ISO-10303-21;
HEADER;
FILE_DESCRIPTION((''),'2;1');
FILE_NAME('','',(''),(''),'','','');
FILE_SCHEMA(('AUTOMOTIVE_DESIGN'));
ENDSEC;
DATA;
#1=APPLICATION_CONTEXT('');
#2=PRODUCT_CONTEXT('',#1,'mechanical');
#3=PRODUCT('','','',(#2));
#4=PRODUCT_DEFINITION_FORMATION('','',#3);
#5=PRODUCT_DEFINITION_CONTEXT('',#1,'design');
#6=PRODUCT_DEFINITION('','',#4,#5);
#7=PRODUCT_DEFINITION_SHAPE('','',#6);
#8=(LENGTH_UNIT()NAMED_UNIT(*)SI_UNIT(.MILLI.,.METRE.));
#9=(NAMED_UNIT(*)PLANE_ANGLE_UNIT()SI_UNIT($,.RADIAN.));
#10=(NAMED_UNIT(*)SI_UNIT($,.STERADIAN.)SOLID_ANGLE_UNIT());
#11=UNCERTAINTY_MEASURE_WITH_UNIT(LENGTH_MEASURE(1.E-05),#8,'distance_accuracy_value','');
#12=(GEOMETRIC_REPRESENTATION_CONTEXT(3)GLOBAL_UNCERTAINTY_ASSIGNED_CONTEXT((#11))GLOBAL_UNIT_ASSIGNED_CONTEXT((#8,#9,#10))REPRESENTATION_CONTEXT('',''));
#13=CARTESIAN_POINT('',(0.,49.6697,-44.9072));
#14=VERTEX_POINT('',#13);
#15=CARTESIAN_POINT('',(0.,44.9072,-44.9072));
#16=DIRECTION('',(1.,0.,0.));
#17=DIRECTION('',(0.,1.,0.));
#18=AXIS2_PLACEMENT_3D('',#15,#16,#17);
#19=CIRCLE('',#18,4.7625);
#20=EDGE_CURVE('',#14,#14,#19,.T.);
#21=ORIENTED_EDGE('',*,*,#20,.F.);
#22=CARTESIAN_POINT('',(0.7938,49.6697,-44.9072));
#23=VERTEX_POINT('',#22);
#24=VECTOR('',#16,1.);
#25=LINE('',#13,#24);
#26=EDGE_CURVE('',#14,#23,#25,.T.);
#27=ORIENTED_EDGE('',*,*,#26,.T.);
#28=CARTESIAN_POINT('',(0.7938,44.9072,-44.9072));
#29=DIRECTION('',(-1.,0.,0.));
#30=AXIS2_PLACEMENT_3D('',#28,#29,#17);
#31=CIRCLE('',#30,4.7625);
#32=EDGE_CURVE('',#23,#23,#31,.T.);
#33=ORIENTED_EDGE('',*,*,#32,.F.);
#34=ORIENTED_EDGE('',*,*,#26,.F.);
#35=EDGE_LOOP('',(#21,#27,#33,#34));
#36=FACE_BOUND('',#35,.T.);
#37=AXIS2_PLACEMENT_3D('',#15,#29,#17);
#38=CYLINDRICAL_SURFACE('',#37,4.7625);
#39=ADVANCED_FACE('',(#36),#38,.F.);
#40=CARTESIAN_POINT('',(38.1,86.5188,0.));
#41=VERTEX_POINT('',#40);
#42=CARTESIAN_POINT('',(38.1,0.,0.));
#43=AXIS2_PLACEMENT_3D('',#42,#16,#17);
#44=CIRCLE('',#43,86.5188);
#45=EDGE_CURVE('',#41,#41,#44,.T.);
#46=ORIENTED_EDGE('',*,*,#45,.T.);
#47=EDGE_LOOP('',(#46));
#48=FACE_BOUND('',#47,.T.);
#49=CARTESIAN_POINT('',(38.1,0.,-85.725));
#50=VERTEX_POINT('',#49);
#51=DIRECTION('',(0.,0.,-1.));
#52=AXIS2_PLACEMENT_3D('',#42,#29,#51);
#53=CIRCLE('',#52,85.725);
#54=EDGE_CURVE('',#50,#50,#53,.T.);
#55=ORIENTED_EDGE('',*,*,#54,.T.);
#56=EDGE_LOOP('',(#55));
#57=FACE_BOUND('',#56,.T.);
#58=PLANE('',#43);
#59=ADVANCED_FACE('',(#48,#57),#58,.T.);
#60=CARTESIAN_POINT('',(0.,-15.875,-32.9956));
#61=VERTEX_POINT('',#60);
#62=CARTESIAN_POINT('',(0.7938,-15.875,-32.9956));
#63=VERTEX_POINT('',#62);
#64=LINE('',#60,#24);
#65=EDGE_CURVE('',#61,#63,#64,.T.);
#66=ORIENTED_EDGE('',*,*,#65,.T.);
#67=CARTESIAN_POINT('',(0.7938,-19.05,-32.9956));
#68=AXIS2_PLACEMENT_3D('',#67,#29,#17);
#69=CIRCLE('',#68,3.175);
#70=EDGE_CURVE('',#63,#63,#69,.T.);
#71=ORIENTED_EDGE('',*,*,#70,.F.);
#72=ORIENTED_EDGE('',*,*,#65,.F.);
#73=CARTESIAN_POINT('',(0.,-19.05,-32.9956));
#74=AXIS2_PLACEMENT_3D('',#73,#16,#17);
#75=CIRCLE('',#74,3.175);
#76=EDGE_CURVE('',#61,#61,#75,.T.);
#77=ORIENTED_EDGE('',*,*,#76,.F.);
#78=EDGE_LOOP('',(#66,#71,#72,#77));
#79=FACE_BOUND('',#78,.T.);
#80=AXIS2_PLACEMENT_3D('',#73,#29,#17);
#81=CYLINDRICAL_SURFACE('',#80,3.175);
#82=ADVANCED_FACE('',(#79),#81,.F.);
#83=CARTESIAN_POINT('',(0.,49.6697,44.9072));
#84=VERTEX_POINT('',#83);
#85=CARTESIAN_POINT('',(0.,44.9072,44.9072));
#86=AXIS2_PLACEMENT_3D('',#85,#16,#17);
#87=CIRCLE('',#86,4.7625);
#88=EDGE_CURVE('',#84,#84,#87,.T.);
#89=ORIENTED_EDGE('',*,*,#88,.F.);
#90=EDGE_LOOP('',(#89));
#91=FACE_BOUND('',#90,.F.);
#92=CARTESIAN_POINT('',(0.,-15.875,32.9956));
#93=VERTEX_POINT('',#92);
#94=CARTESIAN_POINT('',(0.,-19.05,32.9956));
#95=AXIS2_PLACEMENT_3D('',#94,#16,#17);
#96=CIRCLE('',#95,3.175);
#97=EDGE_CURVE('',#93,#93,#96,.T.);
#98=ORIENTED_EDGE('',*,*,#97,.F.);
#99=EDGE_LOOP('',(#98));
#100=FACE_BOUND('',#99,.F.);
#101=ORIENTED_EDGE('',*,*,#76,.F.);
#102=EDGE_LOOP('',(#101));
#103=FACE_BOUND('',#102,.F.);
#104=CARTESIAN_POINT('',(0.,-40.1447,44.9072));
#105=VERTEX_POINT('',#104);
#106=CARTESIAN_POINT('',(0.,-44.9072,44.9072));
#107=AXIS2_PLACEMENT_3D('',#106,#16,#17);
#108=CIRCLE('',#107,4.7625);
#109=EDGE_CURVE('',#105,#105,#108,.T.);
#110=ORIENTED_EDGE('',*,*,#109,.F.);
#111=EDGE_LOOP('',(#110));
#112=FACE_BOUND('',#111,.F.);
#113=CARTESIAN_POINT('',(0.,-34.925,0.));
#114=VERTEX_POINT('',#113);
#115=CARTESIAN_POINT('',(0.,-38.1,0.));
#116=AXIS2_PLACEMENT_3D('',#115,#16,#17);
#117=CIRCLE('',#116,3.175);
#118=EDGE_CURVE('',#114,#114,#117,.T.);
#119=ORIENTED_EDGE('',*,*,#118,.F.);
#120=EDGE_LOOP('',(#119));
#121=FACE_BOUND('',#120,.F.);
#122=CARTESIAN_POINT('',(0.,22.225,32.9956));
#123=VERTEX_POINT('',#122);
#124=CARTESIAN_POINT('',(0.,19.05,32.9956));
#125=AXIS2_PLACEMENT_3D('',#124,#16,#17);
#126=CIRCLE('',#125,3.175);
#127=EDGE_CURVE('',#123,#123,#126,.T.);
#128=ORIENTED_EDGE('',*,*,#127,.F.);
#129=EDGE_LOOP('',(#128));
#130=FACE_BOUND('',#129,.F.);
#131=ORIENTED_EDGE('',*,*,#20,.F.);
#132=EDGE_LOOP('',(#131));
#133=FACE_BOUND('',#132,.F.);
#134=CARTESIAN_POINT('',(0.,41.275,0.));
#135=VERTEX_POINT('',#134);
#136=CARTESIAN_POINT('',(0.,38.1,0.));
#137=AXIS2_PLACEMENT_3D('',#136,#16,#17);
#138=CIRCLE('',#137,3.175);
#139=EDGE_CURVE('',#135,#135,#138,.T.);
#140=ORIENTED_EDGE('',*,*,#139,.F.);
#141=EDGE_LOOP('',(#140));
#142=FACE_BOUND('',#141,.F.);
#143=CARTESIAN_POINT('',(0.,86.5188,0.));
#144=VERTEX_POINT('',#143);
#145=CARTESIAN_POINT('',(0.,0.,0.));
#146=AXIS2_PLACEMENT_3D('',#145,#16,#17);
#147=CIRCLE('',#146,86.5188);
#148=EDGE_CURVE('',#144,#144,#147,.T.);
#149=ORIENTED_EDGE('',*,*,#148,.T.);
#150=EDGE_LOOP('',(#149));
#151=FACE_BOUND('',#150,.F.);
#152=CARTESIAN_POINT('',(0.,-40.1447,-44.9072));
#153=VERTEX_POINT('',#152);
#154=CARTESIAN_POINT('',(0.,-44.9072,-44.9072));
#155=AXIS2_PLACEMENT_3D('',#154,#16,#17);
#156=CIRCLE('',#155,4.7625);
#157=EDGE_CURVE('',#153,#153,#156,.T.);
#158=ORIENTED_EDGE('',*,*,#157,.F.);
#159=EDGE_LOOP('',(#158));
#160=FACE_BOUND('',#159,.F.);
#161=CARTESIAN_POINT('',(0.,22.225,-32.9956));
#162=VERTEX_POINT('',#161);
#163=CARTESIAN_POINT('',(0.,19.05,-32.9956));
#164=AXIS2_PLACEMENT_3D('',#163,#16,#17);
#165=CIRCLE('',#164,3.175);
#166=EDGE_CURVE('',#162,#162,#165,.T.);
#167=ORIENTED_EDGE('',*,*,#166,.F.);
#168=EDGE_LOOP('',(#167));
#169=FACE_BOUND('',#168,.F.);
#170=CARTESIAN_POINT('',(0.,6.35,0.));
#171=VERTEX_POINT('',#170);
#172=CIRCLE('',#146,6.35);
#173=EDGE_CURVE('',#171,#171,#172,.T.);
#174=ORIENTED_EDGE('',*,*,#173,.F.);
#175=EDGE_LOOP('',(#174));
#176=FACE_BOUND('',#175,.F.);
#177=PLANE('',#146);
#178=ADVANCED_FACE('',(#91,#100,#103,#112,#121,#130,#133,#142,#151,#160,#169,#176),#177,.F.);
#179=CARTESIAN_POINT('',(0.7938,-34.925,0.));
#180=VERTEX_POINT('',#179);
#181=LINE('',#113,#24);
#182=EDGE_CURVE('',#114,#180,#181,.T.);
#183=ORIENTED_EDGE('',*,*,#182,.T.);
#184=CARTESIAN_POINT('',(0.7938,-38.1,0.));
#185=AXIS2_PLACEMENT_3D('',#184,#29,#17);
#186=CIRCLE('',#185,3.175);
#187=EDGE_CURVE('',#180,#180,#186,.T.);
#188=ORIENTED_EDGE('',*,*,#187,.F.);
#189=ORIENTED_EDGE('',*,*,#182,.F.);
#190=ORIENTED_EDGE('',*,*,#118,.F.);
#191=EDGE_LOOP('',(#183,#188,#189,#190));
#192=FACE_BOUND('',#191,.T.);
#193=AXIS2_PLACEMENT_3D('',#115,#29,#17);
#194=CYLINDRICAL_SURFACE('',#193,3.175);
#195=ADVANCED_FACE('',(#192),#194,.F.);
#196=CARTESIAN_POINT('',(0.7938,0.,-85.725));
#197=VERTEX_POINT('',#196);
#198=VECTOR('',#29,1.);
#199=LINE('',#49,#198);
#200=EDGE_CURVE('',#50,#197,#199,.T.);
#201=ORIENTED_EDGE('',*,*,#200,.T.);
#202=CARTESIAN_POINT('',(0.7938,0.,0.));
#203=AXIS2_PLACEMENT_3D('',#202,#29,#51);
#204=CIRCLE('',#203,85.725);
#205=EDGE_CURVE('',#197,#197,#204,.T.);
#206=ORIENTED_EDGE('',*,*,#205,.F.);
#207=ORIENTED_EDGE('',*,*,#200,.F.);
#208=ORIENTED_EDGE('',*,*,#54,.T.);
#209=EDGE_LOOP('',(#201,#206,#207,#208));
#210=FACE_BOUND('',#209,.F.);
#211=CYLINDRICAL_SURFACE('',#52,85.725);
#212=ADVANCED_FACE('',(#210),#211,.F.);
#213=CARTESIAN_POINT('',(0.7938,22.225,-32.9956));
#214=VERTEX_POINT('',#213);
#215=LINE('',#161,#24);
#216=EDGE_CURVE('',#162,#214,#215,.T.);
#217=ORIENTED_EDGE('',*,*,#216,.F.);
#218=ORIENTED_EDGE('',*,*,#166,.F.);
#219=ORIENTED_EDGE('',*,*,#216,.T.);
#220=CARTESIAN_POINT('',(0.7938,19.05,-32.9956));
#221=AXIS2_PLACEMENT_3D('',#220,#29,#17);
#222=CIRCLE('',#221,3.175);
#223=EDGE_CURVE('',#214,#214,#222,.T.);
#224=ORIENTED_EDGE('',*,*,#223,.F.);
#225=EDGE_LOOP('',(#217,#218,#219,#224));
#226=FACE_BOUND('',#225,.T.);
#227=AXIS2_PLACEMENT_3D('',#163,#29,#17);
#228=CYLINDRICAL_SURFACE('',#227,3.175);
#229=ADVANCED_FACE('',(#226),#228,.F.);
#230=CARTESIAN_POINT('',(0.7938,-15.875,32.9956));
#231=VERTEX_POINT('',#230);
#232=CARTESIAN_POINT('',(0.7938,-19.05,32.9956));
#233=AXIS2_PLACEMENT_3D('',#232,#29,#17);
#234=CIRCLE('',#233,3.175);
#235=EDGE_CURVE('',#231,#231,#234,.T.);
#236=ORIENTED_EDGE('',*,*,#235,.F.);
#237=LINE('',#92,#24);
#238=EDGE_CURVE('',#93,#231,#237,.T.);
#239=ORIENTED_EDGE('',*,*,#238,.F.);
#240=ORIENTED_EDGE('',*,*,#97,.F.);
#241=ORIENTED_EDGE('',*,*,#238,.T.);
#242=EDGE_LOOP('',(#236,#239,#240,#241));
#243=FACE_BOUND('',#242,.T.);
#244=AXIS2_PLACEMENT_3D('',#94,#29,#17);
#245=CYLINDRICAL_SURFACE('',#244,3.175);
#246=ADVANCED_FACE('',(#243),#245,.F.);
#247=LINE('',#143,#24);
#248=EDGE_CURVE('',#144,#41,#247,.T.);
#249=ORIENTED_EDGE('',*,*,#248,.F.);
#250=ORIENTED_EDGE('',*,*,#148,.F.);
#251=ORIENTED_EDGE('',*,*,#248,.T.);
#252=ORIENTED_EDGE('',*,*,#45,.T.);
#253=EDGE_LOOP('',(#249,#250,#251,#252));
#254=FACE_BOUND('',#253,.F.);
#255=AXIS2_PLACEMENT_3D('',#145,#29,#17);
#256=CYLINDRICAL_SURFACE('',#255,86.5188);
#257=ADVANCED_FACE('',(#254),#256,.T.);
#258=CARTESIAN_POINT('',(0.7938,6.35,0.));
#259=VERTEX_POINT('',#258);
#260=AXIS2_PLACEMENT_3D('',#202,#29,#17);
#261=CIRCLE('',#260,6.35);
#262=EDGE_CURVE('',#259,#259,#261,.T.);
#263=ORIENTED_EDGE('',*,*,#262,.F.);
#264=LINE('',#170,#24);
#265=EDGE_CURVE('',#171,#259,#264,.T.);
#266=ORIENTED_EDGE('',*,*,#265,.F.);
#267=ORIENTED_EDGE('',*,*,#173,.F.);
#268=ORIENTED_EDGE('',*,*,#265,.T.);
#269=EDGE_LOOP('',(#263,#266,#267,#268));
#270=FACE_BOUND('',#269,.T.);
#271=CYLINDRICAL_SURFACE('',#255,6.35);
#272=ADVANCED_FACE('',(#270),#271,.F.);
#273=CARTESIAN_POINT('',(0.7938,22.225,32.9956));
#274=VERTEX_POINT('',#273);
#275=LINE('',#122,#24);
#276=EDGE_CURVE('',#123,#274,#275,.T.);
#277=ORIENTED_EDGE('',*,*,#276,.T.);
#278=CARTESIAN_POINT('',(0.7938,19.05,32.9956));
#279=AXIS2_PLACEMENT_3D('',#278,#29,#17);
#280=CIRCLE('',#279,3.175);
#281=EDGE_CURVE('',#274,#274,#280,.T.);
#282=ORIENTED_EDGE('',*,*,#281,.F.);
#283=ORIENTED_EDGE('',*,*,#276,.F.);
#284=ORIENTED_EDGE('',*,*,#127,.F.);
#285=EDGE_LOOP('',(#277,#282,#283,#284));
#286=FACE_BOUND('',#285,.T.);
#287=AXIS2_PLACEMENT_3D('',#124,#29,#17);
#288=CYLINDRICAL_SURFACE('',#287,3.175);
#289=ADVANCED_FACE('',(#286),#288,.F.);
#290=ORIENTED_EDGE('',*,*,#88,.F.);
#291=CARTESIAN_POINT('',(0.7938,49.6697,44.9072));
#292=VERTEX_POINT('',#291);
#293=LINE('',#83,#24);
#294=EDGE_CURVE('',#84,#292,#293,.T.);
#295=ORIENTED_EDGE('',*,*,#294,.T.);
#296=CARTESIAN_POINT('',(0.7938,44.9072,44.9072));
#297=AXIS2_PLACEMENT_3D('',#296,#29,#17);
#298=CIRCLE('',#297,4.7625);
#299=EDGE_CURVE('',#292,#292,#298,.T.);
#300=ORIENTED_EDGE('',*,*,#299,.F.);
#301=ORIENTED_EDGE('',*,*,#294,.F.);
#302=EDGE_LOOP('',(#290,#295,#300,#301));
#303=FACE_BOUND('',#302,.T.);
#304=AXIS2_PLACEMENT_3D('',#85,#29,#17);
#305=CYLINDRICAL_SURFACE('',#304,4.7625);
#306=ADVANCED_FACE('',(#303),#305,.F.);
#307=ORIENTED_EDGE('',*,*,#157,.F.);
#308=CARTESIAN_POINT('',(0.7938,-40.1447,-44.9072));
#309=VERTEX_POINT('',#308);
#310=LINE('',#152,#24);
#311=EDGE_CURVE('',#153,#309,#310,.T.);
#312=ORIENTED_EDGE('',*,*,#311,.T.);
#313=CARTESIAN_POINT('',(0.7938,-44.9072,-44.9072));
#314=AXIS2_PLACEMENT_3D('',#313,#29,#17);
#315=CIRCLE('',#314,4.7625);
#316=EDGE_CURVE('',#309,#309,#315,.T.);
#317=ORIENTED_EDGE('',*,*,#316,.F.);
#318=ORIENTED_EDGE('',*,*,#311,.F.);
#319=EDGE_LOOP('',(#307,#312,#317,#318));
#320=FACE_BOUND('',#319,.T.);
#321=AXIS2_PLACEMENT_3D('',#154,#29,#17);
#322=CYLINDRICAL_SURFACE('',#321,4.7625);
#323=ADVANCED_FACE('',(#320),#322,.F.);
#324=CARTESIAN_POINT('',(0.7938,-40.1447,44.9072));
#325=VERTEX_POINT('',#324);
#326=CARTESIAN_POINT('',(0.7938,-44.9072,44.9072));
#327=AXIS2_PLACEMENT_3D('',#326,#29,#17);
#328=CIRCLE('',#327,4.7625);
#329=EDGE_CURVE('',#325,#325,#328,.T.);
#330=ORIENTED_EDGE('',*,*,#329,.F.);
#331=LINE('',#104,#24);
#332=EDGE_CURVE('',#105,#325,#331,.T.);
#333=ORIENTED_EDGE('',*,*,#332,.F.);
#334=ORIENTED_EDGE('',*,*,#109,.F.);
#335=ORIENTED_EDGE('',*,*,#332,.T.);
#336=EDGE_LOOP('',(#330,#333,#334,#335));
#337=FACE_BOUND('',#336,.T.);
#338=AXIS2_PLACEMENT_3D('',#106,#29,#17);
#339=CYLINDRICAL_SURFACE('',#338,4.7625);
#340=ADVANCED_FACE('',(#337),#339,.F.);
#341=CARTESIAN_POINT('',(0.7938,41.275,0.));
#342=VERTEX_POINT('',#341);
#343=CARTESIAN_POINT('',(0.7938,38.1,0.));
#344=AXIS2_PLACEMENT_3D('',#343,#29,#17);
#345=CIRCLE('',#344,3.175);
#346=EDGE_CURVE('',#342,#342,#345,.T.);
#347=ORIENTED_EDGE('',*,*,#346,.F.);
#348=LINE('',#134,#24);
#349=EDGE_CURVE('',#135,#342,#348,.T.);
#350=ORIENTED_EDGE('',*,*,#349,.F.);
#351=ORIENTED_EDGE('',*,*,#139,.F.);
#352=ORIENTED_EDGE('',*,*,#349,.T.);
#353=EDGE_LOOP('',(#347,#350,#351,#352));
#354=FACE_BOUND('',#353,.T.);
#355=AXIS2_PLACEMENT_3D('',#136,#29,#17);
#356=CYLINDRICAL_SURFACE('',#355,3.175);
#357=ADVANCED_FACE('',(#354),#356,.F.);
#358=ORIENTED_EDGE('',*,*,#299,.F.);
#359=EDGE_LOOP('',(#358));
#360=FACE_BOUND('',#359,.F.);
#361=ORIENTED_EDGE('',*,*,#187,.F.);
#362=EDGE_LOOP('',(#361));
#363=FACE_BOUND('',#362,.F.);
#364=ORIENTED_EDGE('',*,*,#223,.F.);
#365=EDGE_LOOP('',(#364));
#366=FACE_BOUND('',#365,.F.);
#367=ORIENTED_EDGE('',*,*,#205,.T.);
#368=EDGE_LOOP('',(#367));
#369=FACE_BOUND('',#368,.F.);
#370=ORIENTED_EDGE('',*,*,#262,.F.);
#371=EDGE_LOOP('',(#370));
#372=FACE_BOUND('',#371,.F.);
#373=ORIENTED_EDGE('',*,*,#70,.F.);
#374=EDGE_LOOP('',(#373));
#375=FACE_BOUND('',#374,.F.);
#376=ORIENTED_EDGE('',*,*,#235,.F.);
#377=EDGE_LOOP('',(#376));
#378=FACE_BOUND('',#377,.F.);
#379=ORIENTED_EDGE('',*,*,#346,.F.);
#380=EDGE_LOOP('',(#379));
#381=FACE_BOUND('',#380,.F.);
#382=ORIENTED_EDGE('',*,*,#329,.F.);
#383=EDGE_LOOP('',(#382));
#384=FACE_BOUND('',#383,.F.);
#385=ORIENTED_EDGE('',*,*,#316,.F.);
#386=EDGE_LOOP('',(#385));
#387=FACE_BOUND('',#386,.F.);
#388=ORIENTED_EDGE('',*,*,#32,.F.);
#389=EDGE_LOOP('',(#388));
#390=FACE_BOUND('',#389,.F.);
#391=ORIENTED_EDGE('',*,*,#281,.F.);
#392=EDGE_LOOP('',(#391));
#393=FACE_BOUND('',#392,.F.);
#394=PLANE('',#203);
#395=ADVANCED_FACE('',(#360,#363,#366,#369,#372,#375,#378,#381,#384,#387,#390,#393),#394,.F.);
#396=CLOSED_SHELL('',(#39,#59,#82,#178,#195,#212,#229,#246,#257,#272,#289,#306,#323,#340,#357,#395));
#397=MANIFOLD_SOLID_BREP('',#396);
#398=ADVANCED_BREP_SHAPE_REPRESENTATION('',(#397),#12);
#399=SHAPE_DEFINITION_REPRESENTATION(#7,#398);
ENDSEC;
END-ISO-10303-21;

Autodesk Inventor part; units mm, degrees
ref_plane "YZ Plane" through (0, 0, 0) normal (1, 0, 0) x (0, 1, 0)
ref_plane "XZ Plane" through (0, 0, 0) normal (0, 1, 0) x (-1, 0, 0)
ref_plane "XY Plane" through (0, 0, 0) normal (0, 0, 1) x (1, 0, 0)
sketch "Sketch1" plane through (0, 0, 0) normal (1, 0, 0) x (0, 1, 0)
  circle A0 centre (0, 0) radius 86.5188
  circle A1 centre (0, 0) radius 6.35
  circle A2 centre (-38.1, 0) radius 3.175
  circle A3 centre (-19.05, -32.9956) radius 3.175
  circle A4 centre (19.05, -32.9956) radius 3.175
  circle A5 centre (38.1, 0) radius 3.175
  circle A6 centre (19.05, 32.9956) radius 3.175
  circle A7 centre (-19.05, 32.9956) radius 3.175
  circle A8 centre (-44.9072, -44.9072) radius 4.7625
  line L0 (0, 0) -> (-44.9072, -44.9072) construction
  line L1 (0, 0) -> (0, -86.5188) construction
  circle A9 centre (44.9072, -44.9072) radius 4.7625
  circle A10 centre (44.9072, 44.9072) radius 4.7625
  circle A11 centre (-44.9072, 44.9072) radius 4.7625
  dimension "d0" = 173.0375
  dimension "d1" = 12.7
  dimension "d2" = 6.35
  dimension "d3" = 38.1
  dimension "d6" = 360
  dimension "d8" = 9.525
  dimension "d9" = 45
  dimension "d13" = 360
  dimension "d26" = 89.8144
extrude "Extrusion1" add sketch "Sketch1" along normal blind 38.1
hole "Hole1" at (38.1, 0, 0) direction (-1, 0, 0) diameter 171.45 depth 37.3062
properties part number "bottom cap"
